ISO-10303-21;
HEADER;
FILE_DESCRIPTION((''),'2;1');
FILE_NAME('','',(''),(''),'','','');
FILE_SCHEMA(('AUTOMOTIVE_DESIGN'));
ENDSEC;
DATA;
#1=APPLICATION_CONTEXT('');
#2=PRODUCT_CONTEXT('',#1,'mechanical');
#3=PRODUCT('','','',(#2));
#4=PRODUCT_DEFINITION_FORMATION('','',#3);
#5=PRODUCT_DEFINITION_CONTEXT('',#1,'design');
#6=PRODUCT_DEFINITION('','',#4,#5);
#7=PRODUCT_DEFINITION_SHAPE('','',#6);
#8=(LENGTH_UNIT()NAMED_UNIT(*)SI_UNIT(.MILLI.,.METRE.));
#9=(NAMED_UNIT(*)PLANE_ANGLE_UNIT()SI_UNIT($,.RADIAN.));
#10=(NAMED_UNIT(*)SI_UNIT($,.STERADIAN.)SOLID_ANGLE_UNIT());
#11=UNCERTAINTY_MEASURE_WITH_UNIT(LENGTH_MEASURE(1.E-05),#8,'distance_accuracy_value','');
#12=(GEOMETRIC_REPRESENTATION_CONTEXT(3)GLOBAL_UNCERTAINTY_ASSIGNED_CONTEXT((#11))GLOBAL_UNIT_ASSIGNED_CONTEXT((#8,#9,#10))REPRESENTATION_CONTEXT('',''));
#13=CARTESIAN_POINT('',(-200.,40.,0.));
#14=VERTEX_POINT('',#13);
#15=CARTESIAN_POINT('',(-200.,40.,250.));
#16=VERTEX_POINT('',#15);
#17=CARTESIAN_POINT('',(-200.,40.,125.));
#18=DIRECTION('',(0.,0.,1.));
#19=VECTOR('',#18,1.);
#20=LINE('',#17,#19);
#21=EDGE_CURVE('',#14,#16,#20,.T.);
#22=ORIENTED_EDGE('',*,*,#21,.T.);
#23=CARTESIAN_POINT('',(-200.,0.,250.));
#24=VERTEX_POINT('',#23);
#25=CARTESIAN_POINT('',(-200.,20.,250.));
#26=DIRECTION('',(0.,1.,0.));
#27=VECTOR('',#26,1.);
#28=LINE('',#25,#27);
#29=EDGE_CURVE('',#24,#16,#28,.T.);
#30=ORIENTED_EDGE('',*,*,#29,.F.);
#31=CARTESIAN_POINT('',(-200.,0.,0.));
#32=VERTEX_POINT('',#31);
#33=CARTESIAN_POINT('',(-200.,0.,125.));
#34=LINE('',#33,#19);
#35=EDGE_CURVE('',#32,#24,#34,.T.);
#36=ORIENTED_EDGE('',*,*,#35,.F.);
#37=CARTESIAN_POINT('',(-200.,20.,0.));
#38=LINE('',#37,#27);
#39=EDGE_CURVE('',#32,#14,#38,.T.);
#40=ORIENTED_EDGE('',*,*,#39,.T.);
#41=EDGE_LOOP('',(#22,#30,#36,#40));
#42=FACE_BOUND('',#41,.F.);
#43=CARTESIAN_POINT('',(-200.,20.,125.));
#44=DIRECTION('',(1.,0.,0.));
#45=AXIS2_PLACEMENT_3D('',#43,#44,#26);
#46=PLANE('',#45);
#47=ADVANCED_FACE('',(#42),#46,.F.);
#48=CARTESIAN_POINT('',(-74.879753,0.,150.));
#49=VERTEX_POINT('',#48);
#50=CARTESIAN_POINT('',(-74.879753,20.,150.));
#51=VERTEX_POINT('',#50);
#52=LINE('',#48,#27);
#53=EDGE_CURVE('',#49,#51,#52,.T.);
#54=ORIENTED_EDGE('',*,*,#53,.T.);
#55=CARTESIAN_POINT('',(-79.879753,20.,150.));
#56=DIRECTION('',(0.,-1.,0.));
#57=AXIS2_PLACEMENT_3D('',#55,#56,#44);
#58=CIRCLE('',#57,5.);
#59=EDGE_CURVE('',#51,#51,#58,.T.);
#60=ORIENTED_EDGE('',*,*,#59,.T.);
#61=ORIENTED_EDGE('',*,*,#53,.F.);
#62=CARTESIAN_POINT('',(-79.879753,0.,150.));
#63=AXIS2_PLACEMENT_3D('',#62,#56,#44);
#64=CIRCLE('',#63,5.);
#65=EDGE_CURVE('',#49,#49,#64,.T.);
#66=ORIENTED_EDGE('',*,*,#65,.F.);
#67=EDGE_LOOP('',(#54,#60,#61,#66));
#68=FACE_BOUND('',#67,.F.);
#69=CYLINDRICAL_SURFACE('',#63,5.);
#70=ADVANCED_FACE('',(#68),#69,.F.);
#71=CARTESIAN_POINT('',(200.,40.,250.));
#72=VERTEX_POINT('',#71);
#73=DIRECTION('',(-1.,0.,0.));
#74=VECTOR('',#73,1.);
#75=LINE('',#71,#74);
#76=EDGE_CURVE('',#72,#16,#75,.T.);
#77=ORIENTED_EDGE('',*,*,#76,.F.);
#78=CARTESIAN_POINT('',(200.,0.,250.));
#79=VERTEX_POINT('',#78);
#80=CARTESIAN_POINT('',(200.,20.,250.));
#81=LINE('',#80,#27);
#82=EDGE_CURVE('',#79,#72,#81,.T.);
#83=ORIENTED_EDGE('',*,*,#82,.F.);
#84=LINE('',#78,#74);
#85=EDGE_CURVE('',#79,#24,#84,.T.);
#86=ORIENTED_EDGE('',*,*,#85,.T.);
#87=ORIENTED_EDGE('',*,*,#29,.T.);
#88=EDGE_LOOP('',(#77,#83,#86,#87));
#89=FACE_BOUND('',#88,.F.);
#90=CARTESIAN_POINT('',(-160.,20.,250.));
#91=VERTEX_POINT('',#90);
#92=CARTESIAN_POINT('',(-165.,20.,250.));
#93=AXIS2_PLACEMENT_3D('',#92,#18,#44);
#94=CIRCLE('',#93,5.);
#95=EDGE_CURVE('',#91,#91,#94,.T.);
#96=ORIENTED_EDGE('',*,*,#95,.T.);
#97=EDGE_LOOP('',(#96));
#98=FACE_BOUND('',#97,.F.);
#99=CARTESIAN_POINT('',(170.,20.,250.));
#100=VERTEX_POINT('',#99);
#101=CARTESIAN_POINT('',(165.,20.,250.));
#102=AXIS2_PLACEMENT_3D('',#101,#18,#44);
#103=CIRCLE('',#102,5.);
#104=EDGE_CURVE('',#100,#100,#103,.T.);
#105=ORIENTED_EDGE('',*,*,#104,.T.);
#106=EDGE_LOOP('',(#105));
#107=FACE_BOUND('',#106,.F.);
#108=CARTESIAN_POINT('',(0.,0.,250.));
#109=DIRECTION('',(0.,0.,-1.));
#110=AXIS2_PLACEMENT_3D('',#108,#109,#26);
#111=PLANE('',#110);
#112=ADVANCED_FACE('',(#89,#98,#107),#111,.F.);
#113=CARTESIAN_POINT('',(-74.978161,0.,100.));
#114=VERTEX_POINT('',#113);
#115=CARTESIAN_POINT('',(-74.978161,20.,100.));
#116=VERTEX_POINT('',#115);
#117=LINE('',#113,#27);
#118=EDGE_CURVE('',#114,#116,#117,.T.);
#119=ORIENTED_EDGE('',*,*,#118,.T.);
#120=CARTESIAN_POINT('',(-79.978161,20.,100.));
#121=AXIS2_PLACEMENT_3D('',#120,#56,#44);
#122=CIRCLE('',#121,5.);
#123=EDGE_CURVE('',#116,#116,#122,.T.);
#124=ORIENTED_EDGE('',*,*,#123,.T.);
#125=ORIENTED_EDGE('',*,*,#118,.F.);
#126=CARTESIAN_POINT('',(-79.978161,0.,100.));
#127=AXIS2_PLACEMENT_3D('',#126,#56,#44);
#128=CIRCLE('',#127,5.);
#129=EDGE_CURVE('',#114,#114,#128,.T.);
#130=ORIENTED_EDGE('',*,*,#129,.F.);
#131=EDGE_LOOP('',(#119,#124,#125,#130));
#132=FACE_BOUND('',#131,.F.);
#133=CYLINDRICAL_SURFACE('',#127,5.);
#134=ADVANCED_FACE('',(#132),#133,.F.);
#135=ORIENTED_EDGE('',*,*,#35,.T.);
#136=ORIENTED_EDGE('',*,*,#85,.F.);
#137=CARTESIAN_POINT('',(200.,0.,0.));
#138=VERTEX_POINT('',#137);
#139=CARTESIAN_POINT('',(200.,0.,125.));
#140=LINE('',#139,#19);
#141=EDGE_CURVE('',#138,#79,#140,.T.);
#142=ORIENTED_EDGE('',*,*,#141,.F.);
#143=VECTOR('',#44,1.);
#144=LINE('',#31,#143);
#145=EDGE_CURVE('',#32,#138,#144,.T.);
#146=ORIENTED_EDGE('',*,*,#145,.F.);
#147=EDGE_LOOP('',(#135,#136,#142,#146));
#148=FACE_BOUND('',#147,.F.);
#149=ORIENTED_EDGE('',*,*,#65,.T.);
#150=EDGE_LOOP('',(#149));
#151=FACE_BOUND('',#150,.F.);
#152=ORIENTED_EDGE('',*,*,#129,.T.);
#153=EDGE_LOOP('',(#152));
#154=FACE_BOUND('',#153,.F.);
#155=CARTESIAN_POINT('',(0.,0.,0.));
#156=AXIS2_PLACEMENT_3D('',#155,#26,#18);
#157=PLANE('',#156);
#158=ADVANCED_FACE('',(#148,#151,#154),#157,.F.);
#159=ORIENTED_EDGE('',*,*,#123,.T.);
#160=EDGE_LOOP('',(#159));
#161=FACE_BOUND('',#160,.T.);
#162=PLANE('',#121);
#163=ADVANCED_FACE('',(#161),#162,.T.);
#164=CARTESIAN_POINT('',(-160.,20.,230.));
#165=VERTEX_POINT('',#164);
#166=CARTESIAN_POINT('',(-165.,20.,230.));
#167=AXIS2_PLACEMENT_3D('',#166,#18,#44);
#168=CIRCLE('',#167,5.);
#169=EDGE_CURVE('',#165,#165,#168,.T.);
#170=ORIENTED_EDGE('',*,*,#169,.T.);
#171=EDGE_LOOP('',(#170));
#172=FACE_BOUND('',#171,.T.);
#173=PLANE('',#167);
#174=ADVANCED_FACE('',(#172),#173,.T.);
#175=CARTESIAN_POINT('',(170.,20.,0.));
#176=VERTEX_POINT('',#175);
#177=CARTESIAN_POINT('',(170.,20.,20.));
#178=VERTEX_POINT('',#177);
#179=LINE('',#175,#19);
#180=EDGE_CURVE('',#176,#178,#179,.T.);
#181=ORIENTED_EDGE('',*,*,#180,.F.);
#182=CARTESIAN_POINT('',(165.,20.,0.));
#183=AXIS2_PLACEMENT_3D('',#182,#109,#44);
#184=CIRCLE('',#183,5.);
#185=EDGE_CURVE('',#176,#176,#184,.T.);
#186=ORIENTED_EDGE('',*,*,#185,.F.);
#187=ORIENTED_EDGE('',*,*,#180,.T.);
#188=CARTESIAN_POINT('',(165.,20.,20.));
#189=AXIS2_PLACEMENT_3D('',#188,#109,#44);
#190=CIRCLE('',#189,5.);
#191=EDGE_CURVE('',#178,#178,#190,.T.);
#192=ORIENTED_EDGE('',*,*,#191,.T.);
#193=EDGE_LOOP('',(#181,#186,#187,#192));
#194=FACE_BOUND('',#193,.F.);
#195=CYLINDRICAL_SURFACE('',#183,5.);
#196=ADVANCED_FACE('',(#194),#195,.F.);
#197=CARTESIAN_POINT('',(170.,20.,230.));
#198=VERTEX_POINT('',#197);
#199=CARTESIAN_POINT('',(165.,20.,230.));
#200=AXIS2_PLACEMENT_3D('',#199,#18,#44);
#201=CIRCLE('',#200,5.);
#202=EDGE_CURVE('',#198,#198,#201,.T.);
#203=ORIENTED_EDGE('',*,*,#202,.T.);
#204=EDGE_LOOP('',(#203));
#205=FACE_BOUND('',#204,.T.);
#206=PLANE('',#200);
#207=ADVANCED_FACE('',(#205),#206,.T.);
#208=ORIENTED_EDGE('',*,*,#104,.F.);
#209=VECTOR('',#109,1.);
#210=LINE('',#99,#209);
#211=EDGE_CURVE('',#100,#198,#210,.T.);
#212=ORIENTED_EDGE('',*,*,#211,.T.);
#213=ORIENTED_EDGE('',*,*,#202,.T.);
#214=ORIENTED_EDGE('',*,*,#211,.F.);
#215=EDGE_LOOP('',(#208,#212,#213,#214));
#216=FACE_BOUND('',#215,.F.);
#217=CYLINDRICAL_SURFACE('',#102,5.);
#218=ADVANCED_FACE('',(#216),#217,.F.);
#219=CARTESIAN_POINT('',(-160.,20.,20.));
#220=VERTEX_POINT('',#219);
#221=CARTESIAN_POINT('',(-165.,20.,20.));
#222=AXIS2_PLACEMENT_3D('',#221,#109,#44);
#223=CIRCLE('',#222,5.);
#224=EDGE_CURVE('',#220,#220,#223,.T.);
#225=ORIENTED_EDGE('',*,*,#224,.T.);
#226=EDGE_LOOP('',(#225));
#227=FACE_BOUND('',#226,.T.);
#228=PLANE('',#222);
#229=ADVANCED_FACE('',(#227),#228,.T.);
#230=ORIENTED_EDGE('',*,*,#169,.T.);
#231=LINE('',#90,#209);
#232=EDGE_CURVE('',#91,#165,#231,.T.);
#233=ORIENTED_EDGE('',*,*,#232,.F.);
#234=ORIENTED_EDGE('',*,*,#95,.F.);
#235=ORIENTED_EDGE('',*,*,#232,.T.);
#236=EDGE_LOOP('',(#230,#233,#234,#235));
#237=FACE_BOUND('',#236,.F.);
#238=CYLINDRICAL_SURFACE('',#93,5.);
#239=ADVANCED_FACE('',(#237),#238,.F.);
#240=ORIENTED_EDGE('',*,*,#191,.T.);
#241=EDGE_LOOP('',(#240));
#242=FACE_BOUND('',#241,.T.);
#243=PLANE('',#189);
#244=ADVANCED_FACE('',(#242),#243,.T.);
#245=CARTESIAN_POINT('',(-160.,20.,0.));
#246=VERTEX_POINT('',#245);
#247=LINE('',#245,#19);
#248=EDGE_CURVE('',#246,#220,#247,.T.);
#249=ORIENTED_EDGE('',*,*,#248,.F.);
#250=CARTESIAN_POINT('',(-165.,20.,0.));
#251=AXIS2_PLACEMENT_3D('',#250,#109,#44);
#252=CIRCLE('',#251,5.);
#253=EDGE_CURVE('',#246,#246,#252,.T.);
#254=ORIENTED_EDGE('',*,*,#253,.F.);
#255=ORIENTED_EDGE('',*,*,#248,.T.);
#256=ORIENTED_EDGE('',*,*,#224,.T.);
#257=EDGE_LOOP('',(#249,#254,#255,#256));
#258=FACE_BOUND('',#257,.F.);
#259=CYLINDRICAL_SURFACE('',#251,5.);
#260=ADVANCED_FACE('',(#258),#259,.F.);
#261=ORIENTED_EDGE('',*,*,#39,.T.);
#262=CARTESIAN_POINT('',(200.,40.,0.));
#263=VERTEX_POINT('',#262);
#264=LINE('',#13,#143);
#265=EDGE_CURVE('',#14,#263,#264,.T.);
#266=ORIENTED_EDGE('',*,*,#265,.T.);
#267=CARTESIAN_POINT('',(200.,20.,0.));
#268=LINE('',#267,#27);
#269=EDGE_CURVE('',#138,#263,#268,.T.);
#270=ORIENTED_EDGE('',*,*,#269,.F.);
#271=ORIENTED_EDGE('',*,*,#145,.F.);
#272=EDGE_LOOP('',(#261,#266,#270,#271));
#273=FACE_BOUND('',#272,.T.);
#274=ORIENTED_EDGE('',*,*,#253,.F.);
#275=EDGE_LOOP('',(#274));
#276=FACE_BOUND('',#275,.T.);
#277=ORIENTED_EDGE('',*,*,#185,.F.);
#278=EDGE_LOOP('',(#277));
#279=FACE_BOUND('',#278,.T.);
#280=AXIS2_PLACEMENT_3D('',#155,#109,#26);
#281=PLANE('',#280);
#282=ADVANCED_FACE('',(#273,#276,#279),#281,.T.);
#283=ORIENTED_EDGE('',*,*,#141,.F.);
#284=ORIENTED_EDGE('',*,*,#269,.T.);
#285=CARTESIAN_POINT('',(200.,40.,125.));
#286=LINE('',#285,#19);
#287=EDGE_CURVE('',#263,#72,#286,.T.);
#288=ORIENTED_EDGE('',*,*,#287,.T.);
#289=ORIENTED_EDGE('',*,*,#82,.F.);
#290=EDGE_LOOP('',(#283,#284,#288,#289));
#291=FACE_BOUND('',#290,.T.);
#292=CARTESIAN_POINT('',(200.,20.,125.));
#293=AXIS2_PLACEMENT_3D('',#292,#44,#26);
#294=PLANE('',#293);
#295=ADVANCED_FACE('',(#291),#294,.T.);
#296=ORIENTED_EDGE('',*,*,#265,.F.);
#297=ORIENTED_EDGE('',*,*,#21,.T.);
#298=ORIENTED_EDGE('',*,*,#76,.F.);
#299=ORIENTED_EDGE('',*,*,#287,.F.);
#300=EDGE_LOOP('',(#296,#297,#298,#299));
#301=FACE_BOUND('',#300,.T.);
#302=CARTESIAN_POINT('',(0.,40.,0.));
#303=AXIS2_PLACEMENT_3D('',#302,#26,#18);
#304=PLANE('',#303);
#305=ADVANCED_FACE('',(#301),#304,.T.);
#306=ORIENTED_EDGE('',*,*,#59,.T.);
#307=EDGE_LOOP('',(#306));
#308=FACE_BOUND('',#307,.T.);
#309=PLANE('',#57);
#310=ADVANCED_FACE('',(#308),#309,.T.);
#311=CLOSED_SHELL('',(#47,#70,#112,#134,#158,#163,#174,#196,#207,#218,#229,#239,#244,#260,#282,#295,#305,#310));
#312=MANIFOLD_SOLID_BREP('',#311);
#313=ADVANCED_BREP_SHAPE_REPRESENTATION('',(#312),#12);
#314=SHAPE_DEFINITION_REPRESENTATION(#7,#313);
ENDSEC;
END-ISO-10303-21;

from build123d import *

# Parameters (mm, degrees)
F0_W      = 40
F0_H      = 250
F1_DEPTH  = 200
F4_R      = 5
F5_DEPTH  = 20
F3_R      = 5
F6_DEPTH  = 20
F7_R      = 5
F8_DEPTH  = 20
F9_R      = 5
F10_DEPTH = 20
F11_R     = 5
F12_DEPTH = 20
F13_R     = 5
F14_DEPTH = 20


with BuildPart() as f1:
    # F0 (on Right) → F1 (new body, symmetric)
    with BuildSketch(Plane.YZ):
        with Locations((20, 125)):
            Rectangle(F0_W, F0_H)
    extrude(amount=F1_DEPTH, both=True)

    # F4 (on face) → F5 (cut)
    with BuildSketch(Plane.XZ):
        with Locations((-79.978161, 100)):
            Circle(F4_R)
    extrude(amount=-F5_DEPTH, mode=Mode.SUBTRACT)

    # F3 (on face) → F6 (cut)
    with BuildSketch(Plane.XZ):
        with Locations((-79.879753, 150)):
            Circle(F3_R)
    extrude(amount=-F6_DEPTH, mode=Mode.SUBTRACT)

    # F7 (on face) → F8 (cut)
    with BuildSketch(Plane.XY.offset(250)):
        with Locations((-165, 20)):
            Circle(F7_R)
    extrude(amount=-F8_DEPTH, mode=Mode.SUBTRACT)

    # F9 (on face) → F10 (cut)
    with BuildSketch(Plane.XY.offset(250)):
        with Locations((165, 20)):
            Circle(F9_R)
    extrude(amount=-F10_DEPTH, mode=Mode.SUBTRACT)

    # F11 (on face) → F12 (cut)
    with BuildSketch(Plane(origin=(0, 0, 0), x_dir=(1, 0, 0), z_dir=(0, 0, -1))):
        with Locations((-165, -20)):
            Circle(F11_R)
    extrude(amount=-F12_DEPTH, mode=Mode.SUBTRACT)

    # F13 (on face) → F14 (cut)
    with BuildSketch(Plane(origin=(0, 0, 0), x_dir=(1, 0, 0), z_dir=(0, 0, -1))):
        with Locations((165, -20)):
            Circle(F13_R)
    extrude(amount=-F14_DEPTH, mode=Mode.SUBTRACT)


solid = f1.part
